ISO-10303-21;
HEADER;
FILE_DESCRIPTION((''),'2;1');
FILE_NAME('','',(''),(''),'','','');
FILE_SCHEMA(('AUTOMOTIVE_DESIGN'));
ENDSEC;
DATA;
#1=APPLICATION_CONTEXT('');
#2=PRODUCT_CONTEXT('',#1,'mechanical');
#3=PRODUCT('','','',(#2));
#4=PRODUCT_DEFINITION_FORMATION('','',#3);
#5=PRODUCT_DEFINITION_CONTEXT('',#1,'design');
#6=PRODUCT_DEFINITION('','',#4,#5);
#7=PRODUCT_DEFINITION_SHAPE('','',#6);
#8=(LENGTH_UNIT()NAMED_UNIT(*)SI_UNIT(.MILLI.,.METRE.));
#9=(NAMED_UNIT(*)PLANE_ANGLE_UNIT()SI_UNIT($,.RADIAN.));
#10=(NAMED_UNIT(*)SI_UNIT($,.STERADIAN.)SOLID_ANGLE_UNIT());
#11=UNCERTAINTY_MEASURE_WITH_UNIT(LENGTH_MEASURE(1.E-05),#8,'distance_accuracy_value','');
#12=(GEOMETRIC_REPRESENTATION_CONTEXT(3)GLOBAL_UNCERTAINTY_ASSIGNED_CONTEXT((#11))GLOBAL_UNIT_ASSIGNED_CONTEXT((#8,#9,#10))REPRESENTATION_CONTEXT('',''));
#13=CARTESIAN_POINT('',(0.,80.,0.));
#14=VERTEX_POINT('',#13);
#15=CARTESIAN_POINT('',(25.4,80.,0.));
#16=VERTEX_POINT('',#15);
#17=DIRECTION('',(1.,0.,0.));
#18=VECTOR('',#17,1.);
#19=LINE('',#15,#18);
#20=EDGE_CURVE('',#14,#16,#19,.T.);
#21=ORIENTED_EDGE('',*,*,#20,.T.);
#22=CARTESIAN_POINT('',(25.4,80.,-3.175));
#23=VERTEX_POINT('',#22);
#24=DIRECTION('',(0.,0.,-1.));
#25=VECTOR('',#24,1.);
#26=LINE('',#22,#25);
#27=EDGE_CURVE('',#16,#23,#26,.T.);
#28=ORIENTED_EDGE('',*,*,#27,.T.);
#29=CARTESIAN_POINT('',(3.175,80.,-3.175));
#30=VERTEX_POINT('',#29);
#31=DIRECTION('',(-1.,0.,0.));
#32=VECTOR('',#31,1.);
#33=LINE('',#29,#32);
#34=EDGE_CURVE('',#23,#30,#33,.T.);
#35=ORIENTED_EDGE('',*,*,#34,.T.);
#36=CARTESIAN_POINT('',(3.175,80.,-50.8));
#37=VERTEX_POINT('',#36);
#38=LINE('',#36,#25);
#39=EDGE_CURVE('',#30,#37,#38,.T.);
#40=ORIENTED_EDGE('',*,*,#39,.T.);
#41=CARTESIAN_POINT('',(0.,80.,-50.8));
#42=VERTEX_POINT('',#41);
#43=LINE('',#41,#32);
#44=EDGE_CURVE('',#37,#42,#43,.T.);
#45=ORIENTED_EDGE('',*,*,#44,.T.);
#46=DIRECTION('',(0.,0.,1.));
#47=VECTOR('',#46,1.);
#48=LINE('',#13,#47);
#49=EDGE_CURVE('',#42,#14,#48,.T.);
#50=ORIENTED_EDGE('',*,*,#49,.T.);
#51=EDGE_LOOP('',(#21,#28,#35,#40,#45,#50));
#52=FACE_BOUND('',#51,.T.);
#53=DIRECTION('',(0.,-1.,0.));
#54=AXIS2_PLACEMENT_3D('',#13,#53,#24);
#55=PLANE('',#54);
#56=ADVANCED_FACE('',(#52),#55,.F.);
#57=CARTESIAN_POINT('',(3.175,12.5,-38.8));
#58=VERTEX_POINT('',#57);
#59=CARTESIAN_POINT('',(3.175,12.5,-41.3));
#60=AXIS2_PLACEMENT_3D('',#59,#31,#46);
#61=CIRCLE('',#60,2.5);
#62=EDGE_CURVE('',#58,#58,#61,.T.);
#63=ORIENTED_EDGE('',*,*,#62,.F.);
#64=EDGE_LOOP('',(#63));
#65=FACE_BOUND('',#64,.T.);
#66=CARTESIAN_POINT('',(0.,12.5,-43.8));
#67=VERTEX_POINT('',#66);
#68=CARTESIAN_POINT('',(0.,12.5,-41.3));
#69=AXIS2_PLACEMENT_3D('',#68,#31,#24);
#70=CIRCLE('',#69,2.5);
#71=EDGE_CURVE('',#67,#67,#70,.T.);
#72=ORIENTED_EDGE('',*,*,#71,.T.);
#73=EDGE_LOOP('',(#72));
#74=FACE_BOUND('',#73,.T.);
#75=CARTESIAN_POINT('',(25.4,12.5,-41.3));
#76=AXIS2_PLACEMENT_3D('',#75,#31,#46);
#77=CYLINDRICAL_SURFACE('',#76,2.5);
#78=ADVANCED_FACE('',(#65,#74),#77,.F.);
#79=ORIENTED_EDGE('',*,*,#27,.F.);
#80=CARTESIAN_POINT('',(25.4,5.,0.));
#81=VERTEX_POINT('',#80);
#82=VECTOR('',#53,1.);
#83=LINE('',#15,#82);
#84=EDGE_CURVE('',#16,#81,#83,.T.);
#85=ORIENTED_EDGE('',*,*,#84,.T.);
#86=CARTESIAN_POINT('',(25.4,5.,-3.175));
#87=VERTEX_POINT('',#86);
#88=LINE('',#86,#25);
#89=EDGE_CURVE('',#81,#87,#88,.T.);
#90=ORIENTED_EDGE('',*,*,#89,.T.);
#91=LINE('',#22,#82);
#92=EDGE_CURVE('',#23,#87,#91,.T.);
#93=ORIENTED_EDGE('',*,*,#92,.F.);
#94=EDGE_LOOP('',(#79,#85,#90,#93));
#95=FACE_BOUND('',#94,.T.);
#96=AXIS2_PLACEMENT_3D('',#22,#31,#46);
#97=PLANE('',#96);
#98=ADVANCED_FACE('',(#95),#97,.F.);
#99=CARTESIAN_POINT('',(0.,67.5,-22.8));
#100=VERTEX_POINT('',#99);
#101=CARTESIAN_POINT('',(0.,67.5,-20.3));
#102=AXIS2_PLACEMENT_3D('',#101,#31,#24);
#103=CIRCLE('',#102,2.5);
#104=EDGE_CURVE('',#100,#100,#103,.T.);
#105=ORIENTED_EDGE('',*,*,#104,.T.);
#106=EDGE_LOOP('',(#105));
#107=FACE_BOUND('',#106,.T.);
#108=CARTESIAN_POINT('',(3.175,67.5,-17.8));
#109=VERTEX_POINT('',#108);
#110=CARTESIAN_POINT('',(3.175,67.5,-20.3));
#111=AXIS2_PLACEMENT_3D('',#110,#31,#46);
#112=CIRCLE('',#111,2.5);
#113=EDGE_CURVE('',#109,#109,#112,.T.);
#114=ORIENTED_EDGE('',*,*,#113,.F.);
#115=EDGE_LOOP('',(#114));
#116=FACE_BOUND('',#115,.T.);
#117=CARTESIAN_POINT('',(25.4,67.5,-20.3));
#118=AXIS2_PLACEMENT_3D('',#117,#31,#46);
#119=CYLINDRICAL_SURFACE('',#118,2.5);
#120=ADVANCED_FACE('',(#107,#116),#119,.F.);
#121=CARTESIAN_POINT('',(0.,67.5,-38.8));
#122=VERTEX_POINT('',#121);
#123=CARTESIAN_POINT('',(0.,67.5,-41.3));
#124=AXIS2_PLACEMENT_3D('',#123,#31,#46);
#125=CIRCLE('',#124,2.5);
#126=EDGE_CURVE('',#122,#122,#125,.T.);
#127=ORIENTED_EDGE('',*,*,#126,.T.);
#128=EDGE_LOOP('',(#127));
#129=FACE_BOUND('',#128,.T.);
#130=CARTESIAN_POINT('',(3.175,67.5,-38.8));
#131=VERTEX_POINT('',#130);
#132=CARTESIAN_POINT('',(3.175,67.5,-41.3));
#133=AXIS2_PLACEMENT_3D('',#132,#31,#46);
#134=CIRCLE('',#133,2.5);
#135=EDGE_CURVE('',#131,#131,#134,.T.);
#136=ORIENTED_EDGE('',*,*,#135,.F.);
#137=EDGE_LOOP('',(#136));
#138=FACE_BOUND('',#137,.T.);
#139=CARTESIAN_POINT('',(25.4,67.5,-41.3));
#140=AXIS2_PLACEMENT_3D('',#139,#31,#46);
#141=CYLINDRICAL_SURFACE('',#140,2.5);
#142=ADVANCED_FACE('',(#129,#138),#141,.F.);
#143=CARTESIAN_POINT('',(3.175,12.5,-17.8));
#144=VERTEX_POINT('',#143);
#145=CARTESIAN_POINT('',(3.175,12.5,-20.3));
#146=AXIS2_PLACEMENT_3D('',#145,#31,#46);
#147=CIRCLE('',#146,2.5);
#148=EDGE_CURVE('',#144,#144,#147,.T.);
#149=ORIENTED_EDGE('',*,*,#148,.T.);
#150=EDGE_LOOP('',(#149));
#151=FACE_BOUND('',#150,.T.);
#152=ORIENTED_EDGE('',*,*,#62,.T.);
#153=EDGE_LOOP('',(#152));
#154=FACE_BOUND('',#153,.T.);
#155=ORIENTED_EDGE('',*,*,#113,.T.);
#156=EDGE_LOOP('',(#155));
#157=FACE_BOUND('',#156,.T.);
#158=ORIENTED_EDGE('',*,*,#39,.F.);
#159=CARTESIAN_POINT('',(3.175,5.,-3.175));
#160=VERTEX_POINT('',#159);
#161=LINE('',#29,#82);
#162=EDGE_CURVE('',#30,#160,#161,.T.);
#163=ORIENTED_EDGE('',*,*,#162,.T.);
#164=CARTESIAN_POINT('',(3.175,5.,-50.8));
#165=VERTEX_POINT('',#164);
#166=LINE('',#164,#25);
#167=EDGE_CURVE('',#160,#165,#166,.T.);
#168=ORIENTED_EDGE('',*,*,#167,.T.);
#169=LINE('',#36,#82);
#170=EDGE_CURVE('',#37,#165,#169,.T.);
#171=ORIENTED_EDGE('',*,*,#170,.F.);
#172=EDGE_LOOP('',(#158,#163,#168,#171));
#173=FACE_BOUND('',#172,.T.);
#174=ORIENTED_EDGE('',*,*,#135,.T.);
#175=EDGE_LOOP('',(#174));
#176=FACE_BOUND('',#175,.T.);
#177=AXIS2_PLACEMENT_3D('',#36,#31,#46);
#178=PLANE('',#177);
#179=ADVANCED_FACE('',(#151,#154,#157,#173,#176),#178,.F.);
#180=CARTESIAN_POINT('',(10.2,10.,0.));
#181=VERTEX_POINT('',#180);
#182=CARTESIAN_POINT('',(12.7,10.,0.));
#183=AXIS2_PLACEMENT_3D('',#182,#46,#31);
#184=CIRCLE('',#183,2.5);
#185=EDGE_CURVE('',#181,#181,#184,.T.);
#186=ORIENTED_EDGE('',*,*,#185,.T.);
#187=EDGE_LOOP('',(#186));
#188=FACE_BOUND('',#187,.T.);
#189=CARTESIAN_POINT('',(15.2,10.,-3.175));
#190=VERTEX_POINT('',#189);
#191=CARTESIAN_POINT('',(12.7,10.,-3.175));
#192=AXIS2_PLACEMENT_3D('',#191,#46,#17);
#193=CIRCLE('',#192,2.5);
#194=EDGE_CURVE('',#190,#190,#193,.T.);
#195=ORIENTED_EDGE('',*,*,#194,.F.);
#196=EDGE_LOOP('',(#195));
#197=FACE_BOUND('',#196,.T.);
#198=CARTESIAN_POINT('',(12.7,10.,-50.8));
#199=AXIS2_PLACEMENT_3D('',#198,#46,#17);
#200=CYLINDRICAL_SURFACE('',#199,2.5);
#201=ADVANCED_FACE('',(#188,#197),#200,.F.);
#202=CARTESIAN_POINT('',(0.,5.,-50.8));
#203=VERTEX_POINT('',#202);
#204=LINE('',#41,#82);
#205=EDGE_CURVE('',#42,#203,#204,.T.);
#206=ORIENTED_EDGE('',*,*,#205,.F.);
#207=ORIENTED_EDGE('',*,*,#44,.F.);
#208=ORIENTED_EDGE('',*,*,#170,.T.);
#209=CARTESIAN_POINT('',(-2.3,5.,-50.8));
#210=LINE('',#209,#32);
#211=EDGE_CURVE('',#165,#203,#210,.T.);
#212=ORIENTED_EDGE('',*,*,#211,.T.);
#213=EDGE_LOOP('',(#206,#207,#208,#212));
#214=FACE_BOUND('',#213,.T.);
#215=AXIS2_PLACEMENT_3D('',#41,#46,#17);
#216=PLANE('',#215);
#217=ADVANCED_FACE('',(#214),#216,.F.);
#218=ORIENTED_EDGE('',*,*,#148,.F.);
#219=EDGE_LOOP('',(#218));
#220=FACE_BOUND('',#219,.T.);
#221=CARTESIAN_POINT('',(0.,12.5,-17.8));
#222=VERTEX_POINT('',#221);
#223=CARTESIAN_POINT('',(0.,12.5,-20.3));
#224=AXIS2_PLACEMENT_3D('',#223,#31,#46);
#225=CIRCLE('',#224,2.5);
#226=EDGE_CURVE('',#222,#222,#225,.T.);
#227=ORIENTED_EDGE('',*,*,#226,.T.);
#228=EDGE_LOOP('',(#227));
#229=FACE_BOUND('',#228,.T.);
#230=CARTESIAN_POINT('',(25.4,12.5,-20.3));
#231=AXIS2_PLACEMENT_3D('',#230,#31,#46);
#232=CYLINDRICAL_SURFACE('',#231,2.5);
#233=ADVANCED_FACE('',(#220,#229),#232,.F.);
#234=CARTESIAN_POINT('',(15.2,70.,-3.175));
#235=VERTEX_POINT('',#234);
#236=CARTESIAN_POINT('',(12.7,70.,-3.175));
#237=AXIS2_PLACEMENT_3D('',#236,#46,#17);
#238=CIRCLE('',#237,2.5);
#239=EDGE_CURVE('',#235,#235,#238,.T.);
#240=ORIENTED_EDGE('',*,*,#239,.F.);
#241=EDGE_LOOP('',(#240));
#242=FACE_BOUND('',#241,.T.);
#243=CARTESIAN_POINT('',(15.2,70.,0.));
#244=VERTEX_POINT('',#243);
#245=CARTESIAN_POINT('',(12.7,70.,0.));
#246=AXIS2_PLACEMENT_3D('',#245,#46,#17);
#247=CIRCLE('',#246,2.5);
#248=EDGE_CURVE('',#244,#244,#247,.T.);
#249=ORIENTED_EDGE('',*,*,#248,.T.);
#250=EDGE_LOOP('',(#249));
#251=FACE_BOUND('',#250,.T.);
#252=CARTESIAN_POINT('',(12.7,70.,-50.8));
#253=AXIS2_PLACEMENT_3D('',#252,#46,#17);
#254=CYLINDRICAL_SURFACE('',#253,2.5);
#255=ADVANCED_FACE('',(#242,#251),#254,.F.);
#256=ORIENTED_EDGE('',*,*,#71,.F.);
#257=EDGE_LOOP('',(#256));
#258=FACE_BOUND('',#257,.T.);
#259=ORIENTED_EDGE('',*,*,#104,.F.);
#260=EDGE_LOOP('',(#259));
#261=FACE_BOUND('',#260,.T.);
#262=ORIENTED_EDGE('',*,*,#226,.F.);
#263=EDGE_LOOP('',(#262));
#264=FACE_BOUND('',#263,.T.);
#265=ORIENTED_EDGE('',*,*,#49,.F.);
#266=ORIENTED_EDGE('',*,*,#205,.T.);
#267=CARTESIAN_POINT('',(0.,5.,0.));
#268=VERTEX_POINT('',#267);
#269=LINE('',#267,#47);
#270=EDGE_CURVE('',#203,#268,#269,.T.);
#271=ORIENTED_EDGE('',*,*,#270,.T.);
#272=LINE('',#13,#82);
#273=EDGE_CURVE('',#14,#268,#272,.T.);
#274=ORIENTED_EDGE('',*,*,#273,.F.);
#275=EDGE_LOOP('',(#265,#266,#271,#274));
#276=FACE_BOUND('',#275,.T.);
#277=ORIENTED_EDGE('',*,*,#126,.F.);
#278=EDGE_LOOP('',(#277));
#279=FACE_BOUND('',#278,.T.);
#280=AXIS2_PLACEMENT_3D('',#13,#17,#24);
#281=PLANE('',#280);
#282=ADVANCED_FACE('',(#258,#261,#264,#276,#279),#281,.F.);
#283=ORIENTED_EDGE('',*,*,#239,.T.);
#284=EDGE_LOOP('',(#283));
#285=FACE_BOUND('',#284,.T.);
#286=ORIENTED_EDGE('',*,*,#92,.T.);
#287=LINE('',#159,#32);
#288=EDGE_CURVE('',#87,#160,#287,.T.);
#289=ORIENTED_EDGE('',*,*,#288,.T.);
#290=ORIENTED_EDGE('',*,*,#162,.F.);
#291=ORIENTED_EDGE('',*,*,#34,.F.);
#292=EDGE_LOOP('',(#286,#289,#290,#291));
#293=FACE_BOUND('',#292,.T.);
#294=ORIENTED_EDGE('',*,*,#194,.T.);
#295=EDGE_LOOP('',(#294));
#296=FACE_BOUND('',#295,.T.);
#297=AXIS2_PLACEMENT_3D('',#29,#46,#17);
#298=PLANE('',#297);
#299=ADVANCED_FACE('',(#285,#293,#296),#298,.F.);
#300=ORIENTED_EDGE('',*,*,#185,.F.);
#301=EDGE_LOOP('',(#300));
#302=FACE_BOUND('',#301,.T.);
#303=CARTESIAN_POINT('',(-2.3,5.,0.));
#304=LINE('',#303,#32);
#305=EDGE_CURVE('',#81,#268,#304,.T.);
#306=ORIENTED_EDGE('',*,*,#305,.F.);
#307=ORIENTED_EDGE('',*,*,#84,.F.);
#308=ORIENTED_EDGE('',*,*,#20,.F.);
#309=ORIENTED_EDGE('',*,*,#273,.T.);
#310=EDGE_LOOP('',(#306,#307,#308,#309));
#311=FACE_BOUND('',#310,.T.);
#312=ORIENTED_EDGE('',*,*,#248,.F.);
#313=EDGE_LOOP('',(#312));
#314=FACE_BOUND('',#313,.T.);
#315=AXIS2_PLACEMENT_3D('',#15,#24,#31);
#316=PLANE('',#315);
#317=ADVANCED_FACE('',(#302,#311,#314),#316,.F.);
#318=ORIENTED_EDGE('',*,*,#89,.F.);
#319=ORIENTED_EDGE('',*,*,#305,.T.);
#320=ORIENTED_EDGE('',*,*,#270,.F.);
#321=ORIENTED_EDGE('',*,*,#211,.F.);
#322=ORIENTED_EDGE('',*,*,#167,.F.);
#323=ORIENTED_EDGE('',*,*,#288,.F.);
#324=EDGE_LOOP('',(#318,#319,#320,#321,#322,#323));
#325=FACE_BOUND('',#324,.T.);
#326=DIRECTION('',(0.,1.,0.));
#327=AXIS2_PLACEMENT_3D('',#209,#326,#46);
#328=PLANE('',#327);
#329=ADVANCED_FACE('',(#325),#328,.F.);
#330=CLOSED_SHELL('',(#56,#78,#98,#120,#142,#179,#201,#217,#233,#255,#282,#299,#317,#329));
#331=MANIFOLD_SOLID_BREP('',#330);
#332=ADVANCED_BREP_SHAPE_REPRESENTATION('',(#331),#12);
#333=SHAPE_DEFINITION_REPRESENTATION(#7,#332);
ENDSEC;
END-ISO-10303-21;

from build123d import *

# Parameters (mm, degrees)
SALIENTE_EXTRUIR1_DEPTH = 80
CROQUIS2_R              = 2.5
CORTAR_EXTRUIR1_DEPTH   = 99.111161445
CROQUIS3_R              = 2.5
CORTAR_EXTRUIR2_DEPTH   = 99.111161445
CROQUIS4_W              = 30
CROQUIS4_H              = 10
CORTAR_EXTRUIR3_DEPTH   = 99.111161445


with BuildPart() as part:
    # Croquis1 → Saliente-Extruir1 (new body)
    with BuildSketch(Plane(origin=(0, 0, 0), x_dir=(1, 0, 0), z_dir=(0, 1, 0))):
        Polygon((25.4, 0), (0, 0), (0, 50.8), (3.175, 50.8), (3.175, 3.175), (25.4, 3.175), align=None)
    extrude(amount=SALIENTE_EXTRUIR1_DEPTH)

    # Croquis2 → Cortar-Extruir1 (cut, through all)
    with BuildSketch(Plane.ZY):
        with Locations((-41.3, 67.5)):
            Circle(CROQUIS2_R)
        with Locations((-20.3, 67.5)):
            Circle(CROQUIS2_R)
        with Locations((-20.3, 12.5)):
            Circle(CROQUIS2_R)
        with Locations((-41.3, 12.5)):
            Circle(CROQUIS2_R)
    extrude(amount=-CORTAR_EXTRUIR1_DEPTH, mode=Mode.SUBTRACT)

    # Croquis3 → Cortar-Extruir2 (cut, through all)
    with BuildSketch(Plane.XY):
        with Locations((12.7, 70)):
            Circle(CROQUIS3_R)
        with Locations((12.7, 10)):
            Circle(CROQUIS3_R)
    extrude(amount=-CORTAR_EXTRUIR2_DEPTH, mode=Mode.SUBTRACT)

    # Croquis4 → Cortar-Extruir3 (cut, through all)
    with BuildSketch(Plane.XY):
        with Locations((12.7, 0)):
            Rectangle(CROQUIS4_W, CROQUIS4_H)
    extrude(amount=-CORTAR_EXTRUIR3_DEPTH, mode=Mode.SUBTRACT)


solid = part.part
